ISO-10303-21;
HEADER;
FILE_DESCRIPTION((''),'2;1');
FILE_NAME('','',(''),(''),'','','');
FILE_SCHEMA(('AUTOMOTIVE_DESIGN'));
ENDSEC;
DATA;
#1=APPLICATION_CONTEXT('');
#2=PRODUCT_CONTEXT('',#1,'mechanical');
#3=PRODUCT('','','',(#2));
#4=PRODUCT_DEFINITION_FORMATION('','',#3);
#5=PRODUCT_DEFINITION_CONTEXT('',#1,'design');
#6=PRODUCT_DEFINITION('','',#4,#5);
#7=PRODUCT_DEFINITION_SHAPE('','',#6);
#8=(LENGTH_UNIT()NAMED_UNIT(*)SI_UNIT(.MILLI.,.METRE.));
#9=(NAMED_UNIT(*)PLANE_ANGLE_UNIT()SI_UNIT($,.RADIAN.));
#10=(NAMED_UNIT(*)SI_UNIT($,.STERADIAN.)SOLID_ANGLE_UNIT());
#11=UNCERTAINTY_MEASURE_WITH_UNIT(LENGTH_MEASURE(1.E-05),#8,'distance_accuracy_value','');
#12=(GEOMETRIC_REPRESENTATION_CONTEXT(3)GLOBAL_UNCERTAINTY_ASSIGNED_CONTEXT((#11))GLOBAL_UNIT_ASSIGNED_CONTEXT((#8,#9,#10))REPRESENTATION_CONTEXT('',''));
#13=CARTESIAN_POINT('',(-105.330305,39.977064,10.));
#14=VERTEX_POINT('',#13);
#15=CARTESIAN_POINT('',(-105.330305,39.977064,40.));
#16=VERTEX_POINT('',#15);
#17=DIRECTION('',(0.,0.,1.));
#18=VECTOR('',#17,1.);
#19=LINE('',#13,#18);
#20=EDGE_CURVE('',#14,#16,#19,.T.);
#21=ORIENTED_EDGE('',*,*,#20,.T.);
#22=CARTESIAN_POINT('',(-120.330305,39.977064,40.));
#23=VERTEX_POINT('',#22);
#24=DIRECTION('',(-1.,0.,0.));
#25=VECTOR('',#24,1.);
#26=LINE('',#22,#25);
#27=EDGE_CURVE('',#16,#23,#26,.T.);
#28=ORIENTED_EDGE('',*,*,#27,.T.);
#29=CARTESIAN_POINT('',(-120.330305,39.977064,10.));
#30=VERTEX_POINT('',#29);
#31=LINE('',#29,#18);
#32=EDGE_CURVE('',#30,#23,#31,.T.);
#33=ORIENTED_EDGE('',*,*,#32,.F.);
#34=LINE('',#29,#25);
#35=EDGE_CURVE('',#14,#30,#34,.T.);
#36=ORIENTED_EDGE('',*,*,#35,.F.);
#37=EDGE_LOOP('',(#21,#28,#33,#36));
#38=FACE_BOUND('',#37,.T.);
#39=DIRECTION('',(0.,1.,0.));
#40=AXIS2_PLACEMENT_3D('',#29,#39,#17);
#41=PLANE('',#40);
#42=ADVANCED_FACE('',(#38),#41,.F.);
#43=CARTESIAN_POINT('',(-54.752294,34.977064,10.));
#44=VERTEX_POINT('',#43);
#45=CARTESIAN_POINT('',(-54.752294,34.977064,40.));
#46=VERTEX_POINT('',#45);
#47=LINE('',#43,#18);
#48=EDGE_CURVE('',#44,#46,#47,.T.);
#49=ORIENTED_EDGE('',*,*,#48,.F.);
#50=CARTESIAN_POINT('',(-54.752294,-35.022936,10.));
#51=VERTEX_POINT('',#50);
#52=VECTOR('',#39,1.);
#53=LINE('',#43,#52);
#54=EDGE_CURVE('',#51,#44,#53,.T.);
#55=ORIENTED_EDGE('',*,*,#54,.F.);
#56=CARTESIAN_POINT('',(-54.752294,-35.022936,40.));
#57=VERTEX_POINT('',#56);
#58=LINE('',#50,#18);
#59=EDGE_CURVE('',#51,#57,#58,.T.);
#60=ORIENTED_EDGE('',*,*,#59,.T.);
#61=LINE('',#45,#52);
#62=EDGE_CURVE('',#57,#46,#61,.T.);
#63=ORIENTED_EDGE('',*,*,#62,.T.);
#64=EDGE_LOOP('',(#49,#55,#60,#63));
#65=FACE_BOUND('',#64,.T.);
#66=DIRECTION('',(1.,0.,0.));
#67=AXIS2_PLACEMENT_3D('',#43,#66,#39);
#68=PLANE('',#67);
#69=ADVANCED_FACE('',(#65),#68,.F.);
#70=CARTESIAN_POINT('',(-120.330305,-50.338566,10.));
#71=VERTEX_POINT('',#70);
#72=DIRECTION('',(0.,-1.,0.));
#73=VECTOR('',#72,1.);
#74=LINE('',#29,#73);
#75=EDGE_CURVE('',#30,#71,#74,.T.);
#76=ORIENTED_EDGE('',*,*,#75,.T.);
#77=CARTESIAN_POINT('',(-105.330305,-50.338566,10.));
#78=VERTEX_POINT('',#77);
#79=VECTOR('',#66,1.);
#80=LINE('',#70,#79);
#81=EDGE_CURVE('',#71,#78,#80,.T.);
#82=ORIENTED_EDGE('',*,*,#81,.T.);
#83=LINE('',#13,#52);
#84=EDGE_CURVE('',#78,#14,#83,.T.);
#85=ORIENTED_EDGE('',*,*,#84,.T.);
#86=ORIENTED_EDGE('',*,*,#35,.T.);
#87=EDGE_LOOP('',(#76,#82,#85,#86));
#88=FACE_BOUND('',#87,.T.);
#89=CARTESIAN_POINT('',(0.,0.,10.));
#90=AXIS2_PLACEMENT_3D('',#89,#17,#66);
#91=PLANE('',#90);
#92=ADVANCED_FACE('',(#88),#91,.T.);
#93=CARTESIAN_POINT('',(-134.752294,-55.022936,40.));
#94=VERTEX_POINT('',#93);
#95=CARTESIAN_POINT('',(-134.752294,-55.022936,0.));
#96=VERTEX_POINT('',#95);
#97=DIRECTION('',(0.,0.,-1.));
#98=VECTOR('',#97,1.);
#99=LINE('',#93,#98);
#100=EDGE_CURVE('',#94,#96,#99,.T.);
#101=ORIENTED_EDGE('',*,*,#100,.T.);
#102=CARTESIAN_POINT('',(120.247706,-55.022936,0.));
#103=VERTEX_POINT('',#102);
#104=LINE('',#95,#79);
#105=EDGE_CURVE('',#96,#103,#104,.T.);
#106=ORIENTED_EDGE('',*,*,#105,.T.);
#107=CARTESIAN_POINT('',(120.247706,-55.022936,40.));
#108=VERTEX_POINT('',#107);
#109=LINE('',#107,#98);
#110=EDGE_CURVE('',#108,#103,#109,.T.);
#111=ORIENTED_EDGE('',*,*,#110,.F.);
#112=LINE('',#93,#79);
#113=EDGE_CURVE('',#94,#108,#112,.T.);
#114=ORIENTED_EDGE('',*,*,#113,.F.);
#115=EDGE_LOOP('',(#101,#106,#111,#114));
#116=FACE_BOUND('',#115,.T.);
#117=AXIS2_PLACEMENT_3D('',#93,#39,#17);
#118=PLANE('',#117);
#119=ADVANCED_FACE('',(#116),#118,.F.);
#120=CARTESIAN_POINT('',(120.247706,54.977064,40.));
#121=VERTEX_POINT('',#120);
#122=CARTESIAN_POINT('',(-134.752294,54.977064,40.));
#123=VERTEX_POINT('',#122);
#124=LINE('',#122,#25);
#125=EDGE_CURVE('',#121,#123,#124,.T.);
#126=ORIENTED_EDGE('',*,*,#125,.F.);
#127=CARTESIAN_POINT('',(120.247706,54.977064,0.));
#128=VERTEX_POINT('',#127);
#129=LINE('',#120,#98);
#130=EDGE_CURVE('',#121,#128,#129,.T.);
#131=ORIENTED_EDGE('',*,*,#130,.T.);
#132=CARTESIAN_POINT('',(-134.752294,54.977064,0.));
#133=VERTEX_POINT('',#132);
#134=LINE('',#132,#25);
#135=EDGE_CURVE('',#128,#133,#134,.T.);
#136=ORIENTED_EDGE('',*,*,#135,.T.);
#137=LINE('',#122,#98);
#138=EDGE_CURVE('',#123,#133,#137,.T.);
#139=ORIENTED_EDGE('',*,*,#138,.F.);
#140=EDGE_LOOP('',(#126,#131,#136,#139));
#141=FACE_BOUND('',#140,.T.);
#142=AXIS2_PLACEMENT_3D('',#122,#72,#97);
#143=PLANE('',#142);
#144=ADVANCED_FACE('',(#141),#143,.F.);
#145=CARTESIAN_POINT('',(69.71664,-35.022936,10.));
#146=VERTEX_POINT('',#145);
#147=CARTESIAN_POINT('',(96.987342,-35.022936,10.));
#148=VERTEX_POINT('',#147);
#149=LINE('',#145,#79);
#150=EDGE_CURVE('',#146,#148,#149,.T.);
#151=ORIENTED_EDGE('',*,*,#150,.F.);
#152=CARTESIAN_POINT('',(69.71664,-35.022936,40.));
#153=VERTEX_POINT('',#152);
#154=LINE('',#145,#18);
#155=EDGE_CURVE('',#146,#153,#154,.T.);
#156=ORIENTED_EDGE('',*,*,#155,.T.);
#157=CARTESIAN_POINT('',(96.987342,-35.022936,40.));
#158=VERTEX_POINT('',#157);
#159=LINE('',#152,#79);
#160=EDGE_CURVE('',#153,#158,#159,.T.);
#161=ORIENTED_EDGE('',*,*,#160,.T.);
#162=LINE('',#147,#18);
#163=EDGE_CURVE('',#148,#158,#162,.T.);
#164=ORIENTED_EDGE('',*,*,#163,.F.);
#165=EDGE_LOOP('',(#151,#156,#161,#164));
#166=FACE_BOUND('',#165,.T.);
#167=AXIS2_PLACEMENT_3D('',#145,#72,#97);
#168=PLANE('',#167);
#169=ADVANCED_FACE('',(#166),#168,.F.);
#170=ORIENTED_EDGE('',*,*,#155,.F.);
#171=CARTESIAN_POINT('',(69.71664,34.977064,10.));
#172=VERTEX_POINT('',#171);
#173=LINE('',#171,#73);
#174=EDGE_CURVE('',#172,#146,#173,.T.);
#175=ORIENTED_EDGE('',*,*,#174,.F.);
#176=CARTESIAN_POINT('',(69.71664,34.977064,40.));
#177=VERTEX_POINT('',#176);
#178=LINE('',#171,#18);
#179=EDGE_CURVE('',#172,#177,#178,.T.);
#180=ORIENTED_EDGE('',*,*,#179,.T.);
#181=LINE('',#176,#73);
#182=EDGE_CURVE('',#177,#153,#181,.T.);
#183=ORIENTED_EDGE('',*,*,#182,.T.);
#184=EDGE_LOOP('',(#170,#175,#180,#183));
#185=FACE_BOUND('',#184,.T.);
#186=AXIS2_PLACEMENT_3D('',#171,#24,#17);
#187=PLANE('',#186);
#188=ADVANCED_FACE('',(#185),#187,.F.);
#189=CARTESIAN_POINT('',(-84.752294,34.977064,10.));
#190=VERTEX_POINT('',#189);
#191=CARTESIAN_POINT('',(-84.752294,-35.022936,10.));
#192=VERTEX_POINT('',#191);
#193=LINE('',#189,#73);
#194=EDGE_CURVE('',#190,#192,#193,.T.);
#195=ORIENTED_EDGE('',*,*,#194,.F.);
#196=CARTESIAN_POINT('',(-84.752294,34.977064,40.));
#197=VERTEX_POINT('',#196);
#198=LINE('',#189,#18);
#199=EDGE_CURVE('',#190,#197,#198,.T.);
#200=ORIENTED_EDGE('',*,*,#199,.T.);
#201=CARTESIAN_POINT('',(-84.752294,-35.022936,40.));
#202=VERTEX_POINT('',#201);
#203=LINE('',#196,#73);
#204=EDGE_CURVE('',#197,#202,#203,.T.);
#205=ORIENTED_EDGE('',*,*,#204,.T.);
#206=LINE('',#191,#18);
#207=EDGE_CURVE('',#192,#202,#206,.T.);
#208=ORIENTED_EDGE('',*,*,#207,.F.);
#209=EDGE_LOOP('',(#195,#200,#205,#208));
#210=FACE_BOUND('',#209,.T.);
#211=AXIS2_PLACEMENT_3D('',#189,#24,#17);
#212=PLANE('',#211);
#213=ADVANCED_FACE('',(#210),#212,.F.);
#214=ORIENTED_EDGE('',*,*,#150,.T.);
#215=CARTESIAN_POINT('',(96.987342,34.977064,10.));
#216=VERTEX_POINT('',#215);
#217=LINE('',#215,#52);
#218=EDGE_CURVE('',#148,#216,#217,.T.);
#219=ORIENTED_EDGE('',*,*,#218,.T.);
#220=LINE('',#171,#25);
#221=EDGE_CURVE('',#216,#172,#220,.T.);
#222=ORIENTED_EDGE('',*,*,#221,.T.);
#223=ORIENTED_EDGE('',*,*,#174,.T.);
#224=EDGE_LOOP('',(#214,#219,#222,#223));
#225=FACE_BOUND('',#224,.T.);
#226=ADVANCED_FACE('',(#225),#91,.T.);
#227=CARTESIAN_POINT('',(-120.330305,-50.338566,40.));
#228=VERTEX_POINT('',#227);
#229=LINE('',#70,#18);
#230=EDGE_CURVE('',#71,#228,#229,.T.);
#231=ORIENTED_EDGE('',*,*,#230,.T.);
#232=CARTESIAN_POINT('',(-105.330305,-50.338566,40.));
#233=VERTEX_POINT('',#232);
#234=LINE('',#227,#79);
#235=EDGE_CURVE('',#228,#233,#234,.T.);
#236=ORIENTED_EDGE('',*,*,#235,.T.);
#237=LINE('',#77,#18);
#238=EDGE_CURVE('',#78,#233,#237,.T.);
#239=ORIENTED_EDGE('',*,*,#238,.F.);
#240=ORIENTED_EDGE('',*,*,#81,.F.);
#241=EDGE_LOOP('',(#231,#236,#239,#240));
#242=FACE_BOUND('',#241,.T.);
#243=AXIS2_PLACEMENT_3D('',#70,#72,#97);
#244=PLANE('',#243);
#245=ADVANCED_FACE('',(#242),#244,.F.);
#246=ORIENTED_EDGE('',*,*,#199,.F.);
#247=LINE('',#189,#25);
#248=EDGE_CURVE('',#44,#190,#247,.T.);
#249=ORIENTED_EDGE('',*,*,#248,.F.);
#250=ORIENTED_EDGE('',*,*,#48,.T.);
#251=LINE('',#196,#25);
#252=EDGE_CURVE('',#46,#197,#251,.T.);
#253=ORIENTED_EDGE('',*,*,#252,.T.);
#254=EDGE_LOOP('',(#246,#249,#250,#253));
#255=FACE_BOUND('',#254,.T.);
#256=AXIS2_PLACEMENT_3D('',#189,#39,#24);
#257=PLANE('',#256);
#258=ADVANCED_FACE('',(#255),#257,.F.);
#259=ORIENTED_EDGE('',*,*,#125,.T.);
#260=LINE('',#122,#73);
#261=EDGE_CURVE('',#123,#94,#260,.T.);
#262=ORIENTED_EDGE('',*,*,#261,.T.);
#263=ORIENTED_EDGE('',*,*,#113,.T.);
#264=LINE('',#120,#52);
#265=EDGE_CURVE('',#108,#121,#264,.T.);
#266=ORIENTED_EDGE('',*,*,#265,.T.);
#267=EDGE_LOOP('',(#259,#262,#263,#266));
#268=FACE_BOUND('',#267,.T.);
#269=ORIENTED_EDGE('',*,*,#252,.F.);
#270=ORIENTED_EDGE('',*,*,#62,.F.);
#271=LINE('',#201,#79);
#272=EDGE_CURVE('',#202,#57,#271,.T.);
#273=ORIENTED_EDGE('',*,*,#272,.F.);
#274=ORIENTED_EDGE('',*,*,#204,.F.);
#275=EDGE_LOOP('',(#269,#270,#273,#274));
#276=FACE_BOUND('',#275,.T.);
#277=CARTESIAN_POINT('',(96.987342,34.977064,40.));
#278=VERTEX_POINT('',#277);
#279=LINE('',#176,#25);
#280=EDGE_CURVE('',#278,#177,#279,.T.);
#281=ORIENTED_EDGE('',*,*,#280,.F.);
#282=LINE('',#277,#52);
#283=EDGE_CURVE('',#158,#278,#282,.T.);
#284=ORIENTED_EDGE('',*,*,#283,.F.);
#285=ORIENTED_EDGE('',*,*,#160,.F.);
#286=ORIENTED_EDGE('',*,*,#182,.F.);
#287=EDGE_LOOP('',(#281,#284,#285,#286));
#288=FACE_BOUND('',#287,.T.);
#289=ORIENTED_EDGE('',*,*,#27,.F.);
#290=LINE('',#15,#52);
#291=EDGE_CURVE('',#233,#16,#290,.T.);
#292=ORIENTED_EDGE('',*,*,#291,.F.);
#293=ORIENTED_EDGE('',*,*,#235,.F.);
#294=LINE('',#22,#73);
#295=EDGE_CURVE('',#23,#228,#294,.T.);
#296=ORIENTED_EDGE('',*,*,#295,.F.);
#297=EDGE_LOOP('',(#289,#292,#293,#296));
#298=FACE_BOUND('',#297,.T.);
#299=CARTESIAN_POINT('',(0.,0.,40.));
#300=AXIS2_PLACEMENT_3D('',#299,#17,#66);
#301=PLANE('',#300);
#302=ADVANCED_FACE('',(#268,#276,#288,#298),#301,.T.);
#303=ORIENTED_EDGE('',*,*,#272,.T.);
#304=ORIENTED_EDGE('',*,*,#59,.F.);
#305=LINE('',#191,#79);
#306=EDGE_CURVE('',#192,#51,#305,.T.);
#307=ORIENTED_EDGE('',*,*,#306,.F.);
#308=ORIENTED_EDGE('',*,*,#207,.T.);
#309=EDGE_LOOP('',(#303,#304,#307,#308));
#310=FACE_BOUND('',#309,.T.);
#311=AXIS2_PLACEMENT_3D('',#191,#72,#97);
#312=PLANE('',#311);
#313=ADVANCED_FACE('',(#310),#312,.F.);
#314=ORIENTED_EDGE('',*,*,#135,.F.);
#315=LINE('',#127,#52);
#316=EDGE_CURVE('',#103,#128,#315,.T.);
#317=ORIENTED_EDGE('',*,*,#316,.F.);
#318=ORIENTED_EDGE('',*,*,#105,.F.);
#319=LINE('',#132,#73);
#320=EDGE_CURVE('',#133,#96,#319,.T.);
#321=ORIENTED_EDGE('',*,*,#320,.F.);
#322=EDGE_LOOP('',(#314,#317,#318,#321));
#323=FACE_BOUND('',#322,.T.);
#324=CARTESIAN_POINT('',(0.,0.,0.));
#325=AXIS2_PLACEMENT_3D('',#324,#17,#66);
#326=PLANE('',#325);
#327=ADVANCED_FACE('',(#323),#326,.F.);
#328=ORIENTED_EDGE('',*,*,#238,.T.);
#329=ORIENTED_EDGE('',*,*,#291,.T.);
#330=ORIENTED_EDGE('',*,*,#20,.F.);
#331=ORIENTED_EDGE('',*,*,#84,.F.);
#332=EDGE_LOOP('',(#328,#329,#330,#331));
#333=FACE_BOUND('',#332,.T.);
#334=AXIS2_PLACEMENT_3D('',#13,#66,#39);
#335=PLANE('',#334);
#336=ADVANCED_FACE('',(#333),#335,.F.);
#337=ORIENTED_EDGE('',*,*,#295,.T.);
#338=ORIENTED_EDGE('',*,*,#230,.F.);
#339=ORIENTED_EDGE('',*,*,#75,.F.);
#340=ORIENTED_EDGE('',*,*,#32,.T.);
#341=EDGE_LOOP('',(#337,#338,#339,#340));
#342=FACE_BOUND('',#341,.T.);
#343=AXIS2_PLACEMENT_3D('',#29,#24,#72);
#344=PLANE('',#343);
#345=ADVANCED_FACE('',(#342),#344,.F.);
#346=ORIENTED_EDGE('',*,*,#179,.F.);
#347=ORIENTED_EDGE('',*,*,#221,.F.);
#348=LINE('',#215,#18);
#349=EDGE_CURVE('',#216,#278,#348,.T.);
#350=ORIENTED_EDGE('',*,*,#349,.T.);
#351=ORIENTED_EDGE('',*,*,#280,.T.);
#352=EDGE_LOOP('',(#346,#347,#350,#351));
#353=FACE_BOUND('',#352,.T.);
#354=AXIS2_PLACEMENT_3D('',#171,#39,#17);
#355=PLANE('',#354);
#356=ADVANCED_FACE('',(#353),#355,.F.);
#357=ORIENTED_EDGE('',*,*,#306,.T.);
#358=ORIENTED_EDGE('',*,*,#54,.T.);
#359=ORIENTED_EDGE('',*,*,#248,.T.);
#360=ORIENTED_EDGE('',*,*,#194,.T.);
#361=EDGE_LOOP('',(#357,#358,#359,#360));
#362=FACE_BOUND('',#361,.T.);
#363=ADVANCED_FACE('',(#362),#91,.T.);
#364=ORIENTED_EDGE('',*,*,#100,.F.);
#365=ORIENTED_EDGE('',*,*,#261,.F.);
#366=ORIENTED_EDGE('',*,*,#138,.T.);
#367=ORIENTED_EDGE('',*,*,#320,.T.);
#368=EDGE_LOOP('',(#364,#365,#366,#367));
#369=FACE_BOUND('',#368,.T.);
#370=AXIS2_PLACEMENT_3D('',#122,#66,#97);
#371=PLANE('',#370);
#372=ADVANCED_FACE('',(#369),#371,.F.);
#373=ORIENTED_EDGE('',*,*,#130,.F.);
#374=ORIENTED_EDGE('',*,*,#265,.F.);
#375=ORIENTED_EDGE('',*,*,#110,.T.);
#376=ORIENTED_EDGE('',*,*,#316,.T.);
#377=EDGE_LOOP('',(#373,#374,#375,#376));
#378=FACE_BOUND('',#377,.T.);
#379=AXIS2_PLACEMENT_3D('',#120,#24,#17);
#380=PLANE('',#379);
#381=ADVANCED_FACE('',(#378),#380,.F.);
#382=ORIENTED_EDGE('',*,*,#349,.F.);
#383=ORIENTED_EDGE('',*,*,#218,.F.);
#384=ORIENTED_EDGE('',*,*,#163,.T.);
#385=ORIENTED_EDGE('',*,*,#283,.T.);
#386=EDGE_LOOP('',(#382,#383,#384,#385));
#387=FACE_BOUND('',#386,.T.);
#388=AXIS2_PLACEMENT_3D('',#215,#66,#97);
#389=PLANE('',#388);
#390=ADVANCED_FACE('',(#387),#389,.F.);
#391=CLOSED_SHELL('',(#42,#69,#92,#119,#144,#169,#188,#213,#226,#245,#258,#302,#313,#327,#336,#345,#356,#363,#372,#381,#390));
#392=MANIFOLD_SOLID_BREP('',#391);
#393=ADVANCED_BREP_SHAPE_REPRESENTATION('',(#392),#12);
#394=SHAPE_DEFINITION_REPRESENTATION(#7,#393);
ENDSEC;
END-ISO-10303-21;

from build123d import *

# Parameters (mm, degrees)
SKETCH1_W           = 255
SKETCH1_H           = 110
BOSS_EXTRUDE1_DEPTH = 40
SKETCH2_W           = 30
SKETCH2_H           = 70
SKETCH2_W_2         = 15
SKETCH2_H_2         = 90.315630228
SKETCH2_W_3         = 27.270702046
CUT_EXTRUDE1_DEPTH  = 30


with BuildPart() as part:
    # Sketch1 → Boss-Extrude1 (new body)
    with BuildSketch(Plane.XY):
        with Locations((-7.252293578, -0.02293578)):
            Rectangle(SKETCH1_W, SKETCH1_H)
    extrude(amount=BOSS_EXTRUDE1_DEPTH)

    # Sketch2 → Cut-Extrude1 (cut)
    with BuildSketch(Plane.XY.offset(40)):
        with Locations((-69.752293578, -0.02293578)):
            Rectangle(SKETCH2_W, SKETCH2_H)
        with Locations((-112.830305265, -5.180750894)):
            Rectangle(SKETCH2_W_2, SKETCH2_H_2)
        with Locations((83.351991075, -0.02293578)):
            Rectangle(SKETCH2_W_3, SKETCH2_H)
    extrude(amount=-CUT_EXTRUDE1_DEPTH, mode=Mode.SUBTRACT)


solid = part.part
